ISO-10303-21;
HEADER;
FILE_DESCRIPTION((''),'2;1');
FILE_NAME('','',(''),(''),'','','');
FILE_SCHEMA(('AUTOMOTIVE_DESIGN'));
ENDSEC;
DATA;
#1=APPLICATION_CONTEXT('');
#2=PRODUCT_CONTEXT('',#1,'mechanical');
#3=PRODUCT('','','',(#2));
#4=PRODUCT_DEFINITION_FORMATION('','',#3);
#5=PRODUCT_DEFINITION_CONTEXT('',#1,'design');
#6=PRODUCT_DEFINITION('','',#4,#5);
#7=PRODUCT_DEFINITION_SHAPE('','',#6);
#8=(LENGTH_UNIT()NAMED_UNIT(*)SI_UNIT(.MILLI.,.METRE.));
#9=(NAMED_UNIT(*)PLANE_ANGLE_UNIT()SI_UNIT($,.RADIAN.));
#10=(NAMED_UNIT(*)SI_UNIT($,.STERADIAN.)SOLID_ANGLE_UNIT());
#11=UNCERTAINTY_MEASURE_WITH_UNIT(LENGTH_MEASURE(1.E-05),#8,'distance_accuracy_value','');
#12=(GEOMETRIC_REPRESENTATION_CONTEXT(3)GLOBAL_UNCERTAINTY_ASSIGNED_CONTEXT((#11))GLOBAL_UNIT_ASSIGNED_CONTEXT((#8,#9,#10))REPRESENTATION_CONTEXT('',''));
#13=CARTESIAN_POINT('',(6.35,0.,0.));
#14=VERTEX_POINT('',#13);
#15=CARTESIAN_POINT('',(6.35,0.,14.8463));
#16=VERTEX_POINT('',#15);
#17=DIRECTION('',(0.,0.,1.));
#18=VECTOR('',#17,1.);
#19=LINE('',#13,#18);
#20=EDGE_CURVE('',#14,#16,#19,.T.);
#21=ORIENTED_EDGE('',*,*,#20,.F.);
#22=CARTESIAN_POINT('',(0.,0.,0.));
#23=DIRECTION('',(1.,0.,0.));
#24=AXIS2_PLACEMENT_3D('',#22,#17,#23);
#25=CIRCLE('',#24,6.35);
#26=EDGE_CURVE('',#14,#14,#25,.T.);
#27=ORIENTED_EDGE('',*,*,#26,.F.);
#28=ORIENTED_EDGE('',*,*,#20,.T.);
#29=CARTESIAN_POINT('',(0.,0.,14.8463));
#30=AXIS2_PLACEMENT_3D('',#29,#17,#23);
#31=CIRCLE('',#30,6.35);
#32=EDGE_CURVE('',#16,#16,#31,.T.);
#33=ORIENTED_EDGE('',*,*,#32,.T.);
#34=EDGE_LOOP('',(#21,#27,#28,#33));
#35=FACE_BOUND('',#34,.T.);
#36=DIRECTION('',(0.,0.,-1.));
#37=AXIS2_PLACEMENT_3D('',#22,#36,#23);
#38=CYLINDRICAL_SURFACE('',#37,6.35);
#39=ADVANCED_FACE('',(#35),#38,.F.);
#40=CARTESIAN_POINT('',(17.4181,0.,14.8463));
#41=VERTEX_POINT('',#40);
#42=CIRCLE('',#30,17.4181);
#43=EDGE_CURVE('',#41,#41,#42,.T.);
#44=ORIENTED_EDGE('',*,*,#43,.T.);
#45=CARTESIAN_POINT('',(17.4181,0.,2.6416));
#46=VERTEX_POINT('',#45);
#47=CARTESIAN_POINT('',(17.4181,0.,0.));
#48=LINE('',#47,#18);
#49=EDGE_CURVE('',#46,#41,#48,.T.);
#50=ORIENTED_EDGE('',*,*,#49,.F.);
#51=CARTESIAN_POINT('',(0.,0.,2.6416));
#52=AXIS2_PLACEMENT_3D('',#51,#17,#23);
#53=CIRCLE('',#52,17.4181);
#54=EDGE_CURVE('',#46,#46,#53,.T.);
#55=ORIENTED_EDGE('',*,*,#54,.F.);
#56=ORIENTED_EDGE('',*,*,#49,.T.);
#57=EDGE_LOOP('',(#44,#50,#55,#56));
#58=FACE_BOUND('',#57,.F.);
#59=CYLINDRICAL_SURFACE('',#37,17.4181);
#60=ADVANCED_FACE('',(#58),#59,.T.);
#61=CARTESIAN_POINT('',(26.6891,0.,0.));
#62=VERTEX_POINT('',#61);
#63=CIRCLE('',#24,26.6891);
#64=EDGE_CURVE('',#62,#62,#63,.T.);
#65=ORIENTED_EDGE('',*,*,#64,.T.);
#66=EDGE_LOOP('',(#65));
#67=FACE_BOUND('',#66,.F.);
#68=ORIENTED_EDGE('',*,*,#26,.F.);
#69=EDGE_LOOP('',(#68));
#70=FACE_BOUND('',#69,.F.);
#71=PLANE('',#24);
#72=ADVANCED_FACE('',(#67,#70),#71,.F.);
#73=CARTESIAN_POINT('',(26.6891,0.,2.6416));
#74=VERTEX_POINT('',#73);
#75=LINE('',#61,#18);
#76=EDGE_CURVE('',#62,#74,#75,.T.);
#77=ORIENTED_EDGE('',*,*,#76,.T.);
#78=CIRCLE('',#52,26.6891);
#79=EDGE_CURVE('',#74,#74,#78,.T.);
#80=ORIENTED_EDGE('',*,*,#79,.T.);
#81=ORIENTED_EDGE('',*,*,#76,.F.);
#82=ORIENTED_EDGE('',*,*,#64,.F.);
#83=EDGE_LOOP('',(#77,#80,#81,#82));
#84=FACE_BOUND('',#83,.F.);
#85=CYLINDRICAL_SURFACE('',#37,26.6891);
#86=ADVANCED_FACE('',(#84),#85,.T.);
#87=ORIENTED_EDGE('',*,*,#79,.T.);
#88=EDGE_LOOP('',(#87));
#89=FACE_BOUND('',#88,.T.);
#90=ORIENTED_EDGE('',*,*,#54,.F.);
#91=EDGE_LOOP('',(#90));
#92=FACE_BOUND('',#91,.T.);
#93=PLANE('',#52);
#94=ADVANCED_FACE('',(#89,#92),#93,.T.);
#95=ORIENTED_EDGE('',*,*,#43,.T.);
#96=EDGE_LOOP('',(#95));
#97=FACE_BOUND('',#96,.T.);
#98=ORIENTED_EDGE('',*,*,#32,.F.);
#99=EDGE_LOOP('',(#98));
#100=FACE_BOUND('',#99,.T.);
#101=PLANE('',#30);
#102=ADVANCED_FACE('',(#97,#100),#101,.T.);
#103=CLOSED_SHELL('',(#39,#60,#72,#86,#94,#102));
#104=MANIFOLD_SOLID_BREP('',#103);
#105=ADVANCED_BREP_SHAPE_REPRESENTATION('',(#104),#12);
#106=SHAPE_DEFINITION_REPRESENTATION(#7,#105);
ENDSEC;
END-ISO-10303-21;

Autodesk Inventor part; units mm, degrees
ref_plane "YZ Plane" through (0, 0, 0) normal (1, 0, 0) x (0, 1, 0)
ref_plane "XZ Plane" through (0, 0, 0) normal (0, 1, 0) x (-1, 0, 0)
ref_plane "XY Plane" through (0, 0, 0) normal (0, 0, 1) x (1, 0, 0)
sketch "Sketch1" plane through (0, 0, 0) normal (0, 0, 1) x (1, 0, 0)
  circle A0 centre (0, 0) radius 17.4181
  circle A1 centre (0, 0) radius 26.6891
  circle A2 centre (0, 0) radius 6.35
  dimension "d0" = 34.8361
  dimension "d1" = 53.3781
  dimension "d2" = 12.7
extrude "Extrusion1" add sketch "Sketch1" along normal blind 14.8463 contours A0
extrude "Extrusion2" add sketch "Sketch1" along normal blind 2.6416 contours A1
properties part number "ScrewDriveSprocket" material "Steel"
